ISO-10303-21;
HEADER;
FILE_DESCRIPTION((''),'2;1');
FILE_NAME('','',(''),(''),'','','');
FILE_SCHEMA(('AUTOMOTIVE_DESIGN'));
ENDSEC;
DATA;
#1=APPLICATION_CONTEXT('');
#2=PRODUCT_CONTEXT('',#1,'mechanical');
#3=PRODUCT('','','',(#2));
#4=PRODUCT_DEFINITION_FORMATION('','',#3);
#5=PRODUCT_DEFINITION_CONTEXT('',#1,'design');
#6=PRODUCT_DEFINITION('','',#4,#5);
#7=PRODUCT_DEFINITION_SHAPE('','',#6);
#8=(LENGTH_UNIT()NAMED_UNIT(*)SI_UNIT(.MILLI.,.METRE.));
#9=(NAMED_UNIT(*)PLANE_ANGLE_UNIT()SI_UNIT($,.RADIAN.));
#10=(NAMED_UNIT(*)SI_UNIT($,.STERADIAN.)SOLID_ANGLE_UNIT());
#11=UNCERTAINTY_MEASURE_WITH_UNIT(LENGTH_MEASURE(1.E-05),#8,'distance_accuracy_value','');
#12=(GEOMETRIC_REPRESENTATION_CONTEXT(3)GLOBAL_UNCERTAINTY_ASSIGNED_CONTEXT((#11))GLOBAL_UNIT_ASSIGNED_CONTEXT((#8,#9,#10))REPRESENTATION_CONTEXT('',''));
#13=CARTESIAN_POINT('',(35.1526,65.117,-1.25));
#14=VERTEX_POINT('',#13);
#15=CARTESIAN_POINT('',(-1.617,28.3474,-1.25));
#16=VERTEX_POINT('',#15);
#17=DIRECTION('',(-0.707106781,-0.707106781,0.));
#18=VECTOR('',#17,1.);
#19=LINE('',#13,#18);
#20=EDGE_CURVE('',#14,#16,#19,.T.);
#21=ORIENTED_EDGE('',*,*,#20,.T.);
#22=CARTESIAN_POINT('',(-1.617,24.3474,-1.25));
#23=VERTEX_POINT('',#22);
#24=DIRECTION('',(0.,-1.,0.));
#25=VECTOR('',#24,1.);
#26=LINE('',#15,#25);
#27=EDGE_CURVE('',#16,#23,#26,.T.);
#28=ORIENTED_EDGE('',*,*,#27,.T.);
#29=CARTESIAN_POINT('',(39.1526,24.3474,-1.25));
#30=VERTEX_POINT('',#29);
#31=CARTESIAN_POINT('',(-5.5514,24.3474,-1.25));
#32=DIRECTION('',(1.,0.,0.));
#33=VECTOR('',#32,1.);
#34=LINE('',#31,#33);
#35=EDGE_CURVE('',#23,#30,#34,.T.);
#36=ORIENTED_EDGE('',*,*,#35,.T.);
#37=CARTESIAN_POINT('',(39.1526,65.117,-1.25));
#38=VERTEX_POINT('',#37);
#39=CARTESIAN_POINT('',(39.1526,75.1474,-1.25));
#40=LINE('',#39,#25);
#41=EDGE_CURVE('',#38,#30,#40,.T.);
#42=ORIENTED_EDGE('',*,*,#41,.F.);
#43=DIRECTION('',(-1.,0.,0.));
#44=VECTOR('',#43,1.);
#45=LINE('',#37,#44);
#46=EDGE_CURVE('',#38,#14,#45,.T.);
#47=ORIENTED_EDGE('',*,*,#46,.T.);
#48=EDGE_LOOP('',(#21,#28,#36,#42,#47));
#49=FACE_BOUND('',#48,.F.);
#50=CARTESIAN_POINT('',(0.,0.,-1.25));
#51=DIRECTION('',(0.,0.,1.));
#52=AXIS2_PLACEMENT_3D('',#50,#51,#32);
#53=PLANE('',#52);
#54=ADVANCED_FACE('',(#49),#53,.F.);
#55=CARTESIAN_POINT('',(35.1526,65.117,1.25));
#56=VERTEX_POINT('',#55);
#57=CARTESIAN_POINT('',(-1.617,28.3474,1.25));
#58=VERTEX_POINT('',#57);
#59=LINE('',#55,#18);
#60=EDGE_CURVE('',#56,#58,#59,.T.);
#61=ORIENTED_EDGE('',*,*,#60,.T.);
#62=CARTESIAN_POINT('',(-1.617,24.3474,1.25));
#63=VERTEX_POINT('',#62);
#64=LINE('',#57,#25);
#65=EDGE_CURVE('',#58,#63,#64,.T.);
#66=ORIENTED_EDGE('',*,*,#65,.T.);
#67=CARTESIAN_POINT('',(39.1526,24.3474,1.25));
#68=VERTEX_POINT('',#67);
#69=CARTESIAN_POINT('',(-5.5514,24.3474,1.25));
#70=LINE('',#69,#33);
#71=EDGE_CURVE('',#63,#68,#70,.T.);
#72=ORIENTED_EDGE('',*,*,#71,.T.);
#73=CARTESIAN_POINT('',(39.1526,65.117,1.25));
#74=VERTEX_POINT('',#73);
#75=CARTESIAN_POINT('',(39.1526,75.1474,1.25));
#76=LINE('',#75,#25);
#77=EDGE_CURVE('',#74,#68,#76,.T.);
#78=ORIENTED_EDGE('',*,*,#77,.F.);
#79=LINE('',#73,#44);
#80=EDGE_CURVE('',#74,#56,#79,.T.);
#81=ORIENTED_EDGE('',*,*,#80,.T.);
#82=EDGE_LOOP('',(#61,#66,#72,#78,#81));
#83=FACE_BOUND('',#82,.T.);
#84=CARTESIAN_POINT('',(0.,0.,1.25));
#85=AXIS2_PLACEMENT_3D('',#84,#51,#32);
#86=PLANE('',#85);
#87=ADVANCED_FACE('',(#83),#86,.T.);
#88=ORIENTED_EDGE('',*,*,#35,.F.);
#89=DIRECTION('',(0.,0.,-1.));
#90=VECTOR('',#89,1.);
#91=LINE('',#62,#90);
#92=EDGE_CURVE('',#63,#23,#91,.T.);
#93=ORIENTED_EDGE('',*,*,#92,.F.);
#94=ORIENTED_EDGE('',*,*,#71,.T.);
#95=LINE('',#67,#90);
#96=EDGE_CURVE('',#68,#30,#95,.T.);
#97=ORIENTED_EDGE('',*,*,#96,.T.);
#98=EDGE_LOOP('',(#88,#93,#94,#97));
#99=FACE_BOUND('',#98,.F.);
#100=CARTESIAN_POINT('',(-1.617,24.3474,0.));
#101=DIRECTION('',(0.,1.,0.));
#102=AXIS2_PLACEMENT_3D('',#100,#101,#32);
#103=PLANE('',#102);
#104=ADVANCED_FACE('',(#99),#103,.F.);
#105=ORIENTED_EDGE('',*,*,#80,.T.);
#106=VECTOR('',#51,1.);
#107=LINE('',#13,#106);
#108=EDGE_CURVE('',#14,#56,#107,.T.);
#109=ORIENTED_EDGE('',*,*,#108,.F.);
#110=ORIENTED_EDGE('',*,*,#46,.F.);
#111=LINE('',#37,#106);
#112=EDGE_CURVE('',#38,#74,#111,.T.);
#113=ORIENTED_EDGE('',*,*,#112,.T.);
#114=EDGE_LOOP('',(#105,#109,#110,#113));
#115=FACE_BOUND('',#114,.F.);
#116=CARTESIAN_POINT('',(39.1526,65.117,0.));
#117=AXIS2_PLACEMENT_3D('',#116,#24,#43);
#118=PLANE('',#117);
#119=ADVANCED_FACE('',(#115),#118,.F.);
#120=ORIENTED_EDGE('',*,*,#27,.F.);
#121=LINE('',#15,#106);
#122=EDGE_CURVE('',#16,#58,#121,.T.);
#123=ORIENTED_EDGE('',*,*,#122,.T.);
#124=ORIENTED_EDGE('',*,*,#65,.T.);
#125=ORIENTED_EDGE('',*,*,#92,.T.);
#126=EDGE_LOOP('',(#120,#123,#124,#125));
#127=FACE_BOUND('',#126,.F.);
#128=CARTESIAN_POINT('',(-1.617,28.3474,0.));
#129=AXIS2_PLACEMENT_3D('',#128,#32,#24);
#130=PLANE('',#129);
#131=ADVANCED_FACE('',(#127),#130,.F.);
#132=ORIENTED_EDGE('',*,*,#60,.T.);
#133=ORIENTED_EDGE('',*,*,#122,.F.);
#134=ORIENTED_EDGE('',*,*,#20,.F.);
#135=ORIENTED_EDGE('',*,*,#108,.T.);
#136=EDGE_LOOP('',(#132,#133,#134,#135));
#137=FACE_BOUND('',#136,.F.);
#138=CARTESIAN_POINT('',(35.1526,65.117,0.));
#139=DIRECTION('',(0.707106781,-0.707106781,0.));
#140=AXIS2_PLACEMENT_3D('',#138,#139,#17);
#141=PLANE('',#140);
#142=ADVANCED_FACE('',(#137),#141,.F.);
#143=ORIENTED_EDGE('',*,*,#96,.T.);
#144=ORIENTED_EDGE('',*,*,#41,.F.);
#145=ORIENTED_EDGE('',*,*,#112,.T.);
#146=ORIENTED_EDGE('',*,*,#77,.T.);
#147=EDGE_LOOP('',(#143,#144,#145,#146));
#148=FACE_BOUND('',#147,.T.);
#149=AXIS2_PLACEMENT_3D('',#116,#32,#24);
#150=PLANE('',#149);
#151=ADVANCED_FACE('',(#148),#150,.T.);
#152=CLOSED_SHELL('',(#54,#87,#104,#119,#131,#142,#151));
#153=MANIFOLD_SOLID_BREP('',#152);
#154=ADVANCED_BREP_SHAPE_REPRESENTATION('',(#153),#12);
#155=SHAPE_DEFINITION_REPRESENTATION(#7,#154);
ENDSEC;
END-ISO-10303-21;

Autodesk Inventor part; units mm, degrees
ref_plane "YZ Plane" through (0, 0, 0) normal (1, 0, 0) x (0, 1, 0)
ref_plane "XZ Plane" through (0, 0, 0) normal (0, 1, 0) x (-1, 0, 0)
ref_plane "XY Plane" through (0, 0, 0) normal (0, 0, 1) x (1, 0, 0)
sketch "Sketch1" plane through (0, 0, 0) normal (0, 0, 1) x (1, 0, 0)
  line L0 (39.1526, 75.1474) -> (39.1526, -26.4526) projected
  line L1 (-5.5514, 24.3474) -> (39.1526, 24.3474) projected
  line L2 (39.1526, 65.117) -> (35.1526, 65.117)
  line L3 (35.1526, 65.117) -> (-1.617, 28.3474)
  line L4 (-1.617, 28.3474) -> (-1.617, 24.3474)
  dimension "d0" = 4
  dimension "d1" = 4
  dimension "d2" = 45
  dimension "d3" = 52
extrude "Extrusion1" add sketch "Sketch1" along normal mid plane 2.5
properties part number "gusset"
